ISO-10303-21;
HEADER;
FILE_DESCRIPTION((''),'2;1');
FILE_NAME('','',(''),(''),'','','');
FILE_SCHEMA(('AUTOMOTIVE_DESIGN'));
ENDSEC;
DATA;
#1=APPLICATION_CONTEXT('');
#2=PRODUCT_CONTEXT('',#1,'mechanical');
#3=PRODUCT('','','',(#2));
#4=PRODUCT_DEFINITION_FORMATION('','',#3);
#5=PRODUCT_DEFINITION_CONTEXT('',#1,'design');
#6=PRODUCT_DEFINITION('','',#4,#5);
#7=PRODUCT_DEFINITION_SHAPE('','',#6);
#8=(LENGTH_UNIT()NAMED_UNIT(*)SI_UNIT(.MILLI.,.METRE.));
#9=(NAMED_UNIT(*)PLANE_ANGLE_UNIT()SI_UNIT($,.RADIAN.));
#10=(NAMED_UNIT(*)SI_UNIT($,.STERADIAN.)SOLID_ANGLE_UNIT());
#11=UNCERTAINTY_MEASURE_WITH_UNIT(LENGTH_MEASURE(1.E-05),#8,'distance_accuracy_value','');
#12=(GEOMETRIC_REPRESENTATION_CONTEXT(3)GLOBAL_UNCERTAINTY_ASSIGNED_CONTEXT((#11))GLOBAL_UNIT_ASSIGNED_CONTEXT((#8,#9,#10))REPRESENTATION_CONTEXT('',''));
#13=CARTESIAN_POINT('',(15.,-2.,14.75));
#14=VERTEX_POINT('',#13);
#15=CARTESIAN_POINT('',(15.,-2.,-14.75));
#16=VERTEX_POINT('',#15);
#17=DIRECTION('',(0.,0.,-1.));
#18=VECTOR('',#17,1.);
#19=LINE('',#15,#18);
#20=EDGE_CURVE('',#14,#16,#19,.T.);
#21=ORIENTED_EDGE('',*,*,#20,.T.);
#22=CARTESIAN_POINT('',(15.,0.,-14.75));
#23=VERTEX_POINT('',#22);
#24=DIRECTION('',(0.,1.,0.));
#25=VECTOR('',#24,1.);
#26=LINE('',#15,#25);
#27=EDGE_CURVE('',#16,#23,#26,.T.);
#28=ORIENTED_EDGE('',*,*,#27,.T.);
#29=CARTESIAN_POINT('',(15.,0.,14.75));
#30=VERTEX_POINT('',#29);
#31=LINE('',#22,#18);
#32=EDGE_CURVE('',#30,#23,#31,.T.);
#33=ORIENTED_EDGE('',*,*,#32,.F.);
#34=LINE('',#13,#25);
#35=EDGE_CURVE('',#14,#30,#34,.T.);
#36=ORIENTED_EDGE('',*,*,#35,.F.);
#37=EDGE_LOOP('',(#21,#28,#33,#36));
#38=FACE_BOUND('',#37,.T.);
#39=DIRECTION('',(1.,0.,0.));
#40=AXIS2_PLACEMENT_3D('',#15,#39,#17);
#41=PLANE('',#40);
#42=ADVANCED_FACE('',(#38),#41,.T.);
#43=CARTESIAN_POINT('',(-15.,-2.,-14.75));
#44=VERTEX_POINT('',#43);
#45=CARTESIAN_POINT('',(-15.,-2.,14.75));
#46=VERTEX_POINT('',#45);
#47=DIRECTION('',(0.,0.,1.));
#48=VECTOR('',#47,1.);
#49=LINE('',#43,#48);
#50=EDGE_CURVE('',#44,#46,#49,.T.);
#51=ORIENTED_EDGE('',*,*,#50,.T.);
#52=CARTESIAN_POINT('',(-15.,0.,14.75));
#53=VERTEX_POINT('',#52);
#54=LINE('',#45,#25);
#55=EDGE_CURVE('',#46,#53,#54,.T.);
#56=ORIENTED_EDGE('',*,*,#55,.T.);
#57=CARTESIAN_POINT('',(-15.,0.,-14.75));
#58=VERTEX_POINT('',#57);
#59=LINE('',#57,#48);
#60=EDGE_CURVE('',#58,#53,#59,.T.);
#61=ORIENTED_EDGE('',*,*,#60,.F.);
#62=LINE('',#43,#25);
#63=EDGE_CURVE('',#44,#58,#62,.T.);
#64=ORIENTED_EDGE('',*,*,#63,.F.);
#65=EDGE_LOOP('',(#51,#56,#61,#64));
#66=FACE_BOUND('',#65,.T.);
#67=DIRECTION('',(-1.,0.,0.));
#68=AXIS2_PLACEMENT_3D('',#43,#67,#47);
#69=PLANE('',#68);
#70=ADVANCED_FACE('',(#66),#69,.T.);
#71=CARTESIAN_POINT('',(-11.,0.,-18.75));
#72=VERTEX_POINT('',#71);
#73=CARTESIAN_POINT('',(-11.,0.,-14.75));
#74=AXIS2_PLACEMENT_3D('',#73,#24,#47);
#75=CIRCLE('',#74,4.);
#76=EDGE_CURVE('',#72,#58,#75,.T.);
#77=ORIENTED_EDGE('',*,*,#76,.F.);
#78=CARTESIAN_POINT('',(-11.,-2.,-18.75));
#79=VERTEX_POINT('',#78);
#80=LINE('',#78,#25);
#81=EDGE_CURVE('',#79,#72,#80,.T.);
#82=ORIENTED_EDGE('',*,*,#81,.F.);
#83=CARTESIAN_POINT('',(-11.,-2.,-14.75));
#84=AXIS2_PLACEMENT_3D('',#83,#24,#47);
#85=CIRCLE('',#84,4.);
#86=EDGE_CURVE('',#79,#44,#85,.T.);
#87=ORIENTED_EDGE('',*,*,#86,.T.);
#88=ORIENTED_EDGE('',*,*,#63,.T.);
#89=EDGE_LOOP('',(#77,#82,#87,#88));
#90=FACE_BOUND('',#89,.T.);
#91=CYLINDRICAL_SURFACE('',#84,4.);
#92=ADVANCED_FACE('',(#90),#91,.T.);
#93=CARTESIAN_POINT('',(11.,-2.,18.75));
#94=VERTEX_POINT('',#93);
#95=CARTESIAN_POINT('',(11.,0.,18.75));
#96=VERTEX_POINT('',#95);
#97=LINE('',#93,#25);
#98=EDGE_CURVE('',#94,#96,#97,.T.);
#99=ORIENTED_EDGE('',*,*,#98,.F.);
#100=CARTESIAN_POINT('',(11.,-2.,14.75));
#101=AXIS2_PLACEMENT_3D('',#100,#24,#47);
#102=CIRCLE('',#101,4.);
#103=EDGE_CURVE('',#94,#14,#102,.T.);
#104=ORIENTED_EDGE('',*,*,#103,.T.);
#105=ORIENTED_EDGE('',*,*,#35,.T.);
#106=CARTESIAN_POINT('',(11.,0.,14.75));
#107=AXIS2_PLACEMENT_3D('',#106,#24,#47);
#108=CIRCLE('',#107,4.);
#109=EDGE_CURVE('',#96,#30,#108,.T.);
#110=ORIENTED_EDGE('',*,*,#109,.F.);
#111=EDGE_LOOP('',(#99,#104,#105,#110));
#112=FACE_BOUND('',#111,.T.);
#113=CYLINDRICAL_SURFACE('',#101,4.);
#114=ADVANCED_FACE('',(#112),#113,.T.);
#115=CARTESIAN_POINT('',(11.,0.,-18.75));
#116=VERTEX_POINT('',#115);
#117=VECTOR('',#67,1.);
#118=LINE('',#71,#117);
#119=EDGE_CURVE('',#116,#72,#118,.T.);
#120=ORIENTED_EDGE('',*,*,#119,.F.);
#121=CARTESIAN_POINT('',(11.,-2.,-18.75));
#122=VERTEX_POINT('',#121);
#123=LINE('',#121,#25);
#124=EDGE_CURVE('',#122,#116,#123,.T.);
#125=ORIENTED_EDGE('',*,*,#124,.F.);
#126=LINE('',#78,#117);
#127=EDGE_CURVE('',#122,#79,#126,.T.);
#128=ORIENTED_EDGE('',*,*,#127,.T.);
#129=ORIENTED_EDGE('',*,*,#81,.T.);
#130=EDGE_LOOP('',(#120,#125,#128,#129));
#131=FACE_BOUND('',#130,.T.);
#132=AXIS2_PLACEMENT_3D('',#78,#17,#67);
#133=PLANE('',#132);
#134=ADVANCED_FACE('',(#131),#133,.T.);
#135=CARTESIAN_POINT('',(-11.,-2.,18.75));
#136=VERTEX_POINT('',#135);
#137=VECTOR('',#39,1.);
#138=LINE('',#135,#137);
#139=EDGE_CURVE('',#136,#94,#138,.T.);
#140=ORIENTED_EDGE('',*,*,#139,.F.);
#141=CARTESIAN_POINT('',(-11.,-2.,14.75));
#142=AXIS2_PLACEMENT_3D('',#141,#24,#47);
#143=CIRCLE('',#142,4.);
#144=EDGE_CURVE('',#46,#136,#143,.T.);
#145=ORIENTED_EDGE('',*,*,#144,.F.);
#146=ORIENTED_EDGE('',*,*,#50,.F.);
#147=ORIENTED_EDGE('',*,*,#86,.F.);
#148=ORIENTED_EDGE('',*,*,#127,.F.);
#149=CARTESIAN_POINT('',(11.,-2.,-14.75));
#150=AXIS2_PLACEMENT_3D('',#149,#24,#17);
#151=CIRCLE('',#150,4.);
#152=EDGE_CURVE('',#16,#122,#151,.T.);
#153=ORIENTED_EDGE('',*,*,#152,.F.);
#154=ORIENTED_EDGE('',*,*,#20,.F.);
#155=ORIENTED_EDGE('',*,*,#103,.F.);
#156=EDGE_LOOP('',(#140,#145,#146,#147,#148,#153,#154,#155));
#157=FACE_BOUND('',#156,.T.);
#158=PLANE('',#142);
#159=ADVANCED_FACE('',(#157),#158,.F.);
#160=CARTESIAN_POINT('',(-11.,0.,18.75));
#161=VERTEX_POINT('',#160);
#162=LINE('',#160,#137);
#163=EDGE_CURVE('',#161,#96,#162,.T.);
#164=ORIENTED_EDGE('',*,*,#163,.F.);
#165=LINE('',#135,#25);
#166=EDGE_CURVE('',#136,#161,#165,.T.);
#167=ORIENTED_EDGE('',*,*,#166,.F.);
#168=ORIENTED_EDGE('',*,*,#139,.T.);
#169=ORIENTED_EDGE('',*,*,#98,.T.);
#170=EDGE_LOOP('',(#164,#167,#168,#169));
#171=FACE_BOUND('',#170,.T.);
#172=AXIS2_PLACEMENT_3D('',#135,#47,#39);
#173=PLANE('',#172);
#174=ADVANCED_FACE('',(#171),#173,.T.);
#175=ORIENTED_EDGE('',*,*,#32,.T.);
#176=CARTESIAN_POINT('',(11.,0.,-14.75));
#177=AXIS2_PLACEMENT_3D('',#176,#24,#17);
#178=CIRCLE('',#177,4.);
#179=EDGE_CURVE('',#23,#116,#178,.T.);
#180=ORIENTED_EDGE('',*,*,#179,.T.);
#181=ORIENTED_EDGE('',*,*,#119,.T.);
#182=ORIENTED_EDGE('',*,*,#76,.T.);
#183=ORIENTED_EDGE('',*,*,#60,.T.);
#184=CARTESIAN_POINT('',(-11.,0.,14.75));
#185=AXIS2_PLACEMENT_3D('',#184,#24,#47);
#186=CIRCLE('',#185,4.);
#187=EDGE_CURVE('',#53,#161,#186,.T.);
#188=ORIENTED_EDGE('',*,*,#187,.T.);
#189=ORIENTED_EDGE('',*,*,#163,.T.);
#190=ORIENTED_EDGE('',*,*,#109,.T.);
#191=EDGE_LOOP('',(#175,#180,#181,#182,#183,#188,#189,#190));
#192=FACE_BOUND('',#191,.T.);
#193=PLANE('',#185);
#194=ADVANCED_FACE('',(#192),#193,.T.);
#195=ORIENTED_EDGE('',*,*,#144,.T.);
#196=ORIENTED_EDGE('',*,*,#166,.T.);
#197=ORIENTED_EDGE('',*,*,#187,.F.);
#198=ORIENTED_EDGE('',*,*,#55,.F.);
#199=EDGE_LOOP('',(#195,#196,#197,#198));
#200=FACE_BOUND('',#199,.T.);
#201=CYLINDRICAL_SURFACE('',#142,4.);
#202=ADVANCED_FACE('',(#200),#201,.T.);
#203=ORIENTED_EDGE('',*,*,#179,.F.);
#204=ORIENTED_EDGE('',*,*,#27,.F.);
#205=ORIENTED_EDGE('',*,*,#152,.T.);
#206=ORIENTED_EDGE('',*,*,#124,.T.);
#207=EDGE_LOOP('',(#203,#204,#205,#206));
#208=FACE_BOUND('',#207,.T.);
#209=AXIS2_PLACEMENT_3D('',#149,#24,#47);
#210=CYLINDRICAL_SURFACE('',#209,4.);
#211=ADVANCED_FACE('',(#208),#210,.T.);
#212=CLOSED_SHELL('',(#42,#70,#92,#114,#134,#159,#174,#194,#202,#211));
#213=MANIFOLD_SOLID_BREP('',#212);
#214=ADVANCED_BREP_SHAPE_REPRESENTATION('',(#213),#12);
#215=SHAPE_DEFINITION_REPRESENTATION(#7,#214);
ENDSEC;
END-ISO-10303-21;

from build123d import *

# Parameters (mm, degrees)
EXTRUDE_343_DEPTH = 2


with BuildPart() as part:
    # Sketch 179 → Extrude 343 (new body)
    with BuildSketch(Plane(origin=(0, 0, 0), x_dir=(1, 0, 0), z_dir=(0, 1, 0))):
        with BuildLine():
            Line((-11, 18.75), (11, 18.75))
            ThreePointArc((11, 18.75), (13.828427125, 17.578427125), (15, 14.75))
            Line((15, 14.75), (15, -14.75))
            ThreePointArc((15, -14.75), (13.828427125, -17.578427125), (11, -18.75))
            Line((11, -18.75), (-11, -18.75))
            ThreePointArc((-11, -18.75), (-13.828427125, -17.578427125), (-15, -14.75))
            Line((-15, -14.75), (-15, 14.75))
            ThreePointArc((-15, 14.75), (-13.828427125, 17.578427125), (-11, 18.75))
        make_face()
    extrude(amount=-EXTRUDE_343_DEPTH)


solid = part.part
